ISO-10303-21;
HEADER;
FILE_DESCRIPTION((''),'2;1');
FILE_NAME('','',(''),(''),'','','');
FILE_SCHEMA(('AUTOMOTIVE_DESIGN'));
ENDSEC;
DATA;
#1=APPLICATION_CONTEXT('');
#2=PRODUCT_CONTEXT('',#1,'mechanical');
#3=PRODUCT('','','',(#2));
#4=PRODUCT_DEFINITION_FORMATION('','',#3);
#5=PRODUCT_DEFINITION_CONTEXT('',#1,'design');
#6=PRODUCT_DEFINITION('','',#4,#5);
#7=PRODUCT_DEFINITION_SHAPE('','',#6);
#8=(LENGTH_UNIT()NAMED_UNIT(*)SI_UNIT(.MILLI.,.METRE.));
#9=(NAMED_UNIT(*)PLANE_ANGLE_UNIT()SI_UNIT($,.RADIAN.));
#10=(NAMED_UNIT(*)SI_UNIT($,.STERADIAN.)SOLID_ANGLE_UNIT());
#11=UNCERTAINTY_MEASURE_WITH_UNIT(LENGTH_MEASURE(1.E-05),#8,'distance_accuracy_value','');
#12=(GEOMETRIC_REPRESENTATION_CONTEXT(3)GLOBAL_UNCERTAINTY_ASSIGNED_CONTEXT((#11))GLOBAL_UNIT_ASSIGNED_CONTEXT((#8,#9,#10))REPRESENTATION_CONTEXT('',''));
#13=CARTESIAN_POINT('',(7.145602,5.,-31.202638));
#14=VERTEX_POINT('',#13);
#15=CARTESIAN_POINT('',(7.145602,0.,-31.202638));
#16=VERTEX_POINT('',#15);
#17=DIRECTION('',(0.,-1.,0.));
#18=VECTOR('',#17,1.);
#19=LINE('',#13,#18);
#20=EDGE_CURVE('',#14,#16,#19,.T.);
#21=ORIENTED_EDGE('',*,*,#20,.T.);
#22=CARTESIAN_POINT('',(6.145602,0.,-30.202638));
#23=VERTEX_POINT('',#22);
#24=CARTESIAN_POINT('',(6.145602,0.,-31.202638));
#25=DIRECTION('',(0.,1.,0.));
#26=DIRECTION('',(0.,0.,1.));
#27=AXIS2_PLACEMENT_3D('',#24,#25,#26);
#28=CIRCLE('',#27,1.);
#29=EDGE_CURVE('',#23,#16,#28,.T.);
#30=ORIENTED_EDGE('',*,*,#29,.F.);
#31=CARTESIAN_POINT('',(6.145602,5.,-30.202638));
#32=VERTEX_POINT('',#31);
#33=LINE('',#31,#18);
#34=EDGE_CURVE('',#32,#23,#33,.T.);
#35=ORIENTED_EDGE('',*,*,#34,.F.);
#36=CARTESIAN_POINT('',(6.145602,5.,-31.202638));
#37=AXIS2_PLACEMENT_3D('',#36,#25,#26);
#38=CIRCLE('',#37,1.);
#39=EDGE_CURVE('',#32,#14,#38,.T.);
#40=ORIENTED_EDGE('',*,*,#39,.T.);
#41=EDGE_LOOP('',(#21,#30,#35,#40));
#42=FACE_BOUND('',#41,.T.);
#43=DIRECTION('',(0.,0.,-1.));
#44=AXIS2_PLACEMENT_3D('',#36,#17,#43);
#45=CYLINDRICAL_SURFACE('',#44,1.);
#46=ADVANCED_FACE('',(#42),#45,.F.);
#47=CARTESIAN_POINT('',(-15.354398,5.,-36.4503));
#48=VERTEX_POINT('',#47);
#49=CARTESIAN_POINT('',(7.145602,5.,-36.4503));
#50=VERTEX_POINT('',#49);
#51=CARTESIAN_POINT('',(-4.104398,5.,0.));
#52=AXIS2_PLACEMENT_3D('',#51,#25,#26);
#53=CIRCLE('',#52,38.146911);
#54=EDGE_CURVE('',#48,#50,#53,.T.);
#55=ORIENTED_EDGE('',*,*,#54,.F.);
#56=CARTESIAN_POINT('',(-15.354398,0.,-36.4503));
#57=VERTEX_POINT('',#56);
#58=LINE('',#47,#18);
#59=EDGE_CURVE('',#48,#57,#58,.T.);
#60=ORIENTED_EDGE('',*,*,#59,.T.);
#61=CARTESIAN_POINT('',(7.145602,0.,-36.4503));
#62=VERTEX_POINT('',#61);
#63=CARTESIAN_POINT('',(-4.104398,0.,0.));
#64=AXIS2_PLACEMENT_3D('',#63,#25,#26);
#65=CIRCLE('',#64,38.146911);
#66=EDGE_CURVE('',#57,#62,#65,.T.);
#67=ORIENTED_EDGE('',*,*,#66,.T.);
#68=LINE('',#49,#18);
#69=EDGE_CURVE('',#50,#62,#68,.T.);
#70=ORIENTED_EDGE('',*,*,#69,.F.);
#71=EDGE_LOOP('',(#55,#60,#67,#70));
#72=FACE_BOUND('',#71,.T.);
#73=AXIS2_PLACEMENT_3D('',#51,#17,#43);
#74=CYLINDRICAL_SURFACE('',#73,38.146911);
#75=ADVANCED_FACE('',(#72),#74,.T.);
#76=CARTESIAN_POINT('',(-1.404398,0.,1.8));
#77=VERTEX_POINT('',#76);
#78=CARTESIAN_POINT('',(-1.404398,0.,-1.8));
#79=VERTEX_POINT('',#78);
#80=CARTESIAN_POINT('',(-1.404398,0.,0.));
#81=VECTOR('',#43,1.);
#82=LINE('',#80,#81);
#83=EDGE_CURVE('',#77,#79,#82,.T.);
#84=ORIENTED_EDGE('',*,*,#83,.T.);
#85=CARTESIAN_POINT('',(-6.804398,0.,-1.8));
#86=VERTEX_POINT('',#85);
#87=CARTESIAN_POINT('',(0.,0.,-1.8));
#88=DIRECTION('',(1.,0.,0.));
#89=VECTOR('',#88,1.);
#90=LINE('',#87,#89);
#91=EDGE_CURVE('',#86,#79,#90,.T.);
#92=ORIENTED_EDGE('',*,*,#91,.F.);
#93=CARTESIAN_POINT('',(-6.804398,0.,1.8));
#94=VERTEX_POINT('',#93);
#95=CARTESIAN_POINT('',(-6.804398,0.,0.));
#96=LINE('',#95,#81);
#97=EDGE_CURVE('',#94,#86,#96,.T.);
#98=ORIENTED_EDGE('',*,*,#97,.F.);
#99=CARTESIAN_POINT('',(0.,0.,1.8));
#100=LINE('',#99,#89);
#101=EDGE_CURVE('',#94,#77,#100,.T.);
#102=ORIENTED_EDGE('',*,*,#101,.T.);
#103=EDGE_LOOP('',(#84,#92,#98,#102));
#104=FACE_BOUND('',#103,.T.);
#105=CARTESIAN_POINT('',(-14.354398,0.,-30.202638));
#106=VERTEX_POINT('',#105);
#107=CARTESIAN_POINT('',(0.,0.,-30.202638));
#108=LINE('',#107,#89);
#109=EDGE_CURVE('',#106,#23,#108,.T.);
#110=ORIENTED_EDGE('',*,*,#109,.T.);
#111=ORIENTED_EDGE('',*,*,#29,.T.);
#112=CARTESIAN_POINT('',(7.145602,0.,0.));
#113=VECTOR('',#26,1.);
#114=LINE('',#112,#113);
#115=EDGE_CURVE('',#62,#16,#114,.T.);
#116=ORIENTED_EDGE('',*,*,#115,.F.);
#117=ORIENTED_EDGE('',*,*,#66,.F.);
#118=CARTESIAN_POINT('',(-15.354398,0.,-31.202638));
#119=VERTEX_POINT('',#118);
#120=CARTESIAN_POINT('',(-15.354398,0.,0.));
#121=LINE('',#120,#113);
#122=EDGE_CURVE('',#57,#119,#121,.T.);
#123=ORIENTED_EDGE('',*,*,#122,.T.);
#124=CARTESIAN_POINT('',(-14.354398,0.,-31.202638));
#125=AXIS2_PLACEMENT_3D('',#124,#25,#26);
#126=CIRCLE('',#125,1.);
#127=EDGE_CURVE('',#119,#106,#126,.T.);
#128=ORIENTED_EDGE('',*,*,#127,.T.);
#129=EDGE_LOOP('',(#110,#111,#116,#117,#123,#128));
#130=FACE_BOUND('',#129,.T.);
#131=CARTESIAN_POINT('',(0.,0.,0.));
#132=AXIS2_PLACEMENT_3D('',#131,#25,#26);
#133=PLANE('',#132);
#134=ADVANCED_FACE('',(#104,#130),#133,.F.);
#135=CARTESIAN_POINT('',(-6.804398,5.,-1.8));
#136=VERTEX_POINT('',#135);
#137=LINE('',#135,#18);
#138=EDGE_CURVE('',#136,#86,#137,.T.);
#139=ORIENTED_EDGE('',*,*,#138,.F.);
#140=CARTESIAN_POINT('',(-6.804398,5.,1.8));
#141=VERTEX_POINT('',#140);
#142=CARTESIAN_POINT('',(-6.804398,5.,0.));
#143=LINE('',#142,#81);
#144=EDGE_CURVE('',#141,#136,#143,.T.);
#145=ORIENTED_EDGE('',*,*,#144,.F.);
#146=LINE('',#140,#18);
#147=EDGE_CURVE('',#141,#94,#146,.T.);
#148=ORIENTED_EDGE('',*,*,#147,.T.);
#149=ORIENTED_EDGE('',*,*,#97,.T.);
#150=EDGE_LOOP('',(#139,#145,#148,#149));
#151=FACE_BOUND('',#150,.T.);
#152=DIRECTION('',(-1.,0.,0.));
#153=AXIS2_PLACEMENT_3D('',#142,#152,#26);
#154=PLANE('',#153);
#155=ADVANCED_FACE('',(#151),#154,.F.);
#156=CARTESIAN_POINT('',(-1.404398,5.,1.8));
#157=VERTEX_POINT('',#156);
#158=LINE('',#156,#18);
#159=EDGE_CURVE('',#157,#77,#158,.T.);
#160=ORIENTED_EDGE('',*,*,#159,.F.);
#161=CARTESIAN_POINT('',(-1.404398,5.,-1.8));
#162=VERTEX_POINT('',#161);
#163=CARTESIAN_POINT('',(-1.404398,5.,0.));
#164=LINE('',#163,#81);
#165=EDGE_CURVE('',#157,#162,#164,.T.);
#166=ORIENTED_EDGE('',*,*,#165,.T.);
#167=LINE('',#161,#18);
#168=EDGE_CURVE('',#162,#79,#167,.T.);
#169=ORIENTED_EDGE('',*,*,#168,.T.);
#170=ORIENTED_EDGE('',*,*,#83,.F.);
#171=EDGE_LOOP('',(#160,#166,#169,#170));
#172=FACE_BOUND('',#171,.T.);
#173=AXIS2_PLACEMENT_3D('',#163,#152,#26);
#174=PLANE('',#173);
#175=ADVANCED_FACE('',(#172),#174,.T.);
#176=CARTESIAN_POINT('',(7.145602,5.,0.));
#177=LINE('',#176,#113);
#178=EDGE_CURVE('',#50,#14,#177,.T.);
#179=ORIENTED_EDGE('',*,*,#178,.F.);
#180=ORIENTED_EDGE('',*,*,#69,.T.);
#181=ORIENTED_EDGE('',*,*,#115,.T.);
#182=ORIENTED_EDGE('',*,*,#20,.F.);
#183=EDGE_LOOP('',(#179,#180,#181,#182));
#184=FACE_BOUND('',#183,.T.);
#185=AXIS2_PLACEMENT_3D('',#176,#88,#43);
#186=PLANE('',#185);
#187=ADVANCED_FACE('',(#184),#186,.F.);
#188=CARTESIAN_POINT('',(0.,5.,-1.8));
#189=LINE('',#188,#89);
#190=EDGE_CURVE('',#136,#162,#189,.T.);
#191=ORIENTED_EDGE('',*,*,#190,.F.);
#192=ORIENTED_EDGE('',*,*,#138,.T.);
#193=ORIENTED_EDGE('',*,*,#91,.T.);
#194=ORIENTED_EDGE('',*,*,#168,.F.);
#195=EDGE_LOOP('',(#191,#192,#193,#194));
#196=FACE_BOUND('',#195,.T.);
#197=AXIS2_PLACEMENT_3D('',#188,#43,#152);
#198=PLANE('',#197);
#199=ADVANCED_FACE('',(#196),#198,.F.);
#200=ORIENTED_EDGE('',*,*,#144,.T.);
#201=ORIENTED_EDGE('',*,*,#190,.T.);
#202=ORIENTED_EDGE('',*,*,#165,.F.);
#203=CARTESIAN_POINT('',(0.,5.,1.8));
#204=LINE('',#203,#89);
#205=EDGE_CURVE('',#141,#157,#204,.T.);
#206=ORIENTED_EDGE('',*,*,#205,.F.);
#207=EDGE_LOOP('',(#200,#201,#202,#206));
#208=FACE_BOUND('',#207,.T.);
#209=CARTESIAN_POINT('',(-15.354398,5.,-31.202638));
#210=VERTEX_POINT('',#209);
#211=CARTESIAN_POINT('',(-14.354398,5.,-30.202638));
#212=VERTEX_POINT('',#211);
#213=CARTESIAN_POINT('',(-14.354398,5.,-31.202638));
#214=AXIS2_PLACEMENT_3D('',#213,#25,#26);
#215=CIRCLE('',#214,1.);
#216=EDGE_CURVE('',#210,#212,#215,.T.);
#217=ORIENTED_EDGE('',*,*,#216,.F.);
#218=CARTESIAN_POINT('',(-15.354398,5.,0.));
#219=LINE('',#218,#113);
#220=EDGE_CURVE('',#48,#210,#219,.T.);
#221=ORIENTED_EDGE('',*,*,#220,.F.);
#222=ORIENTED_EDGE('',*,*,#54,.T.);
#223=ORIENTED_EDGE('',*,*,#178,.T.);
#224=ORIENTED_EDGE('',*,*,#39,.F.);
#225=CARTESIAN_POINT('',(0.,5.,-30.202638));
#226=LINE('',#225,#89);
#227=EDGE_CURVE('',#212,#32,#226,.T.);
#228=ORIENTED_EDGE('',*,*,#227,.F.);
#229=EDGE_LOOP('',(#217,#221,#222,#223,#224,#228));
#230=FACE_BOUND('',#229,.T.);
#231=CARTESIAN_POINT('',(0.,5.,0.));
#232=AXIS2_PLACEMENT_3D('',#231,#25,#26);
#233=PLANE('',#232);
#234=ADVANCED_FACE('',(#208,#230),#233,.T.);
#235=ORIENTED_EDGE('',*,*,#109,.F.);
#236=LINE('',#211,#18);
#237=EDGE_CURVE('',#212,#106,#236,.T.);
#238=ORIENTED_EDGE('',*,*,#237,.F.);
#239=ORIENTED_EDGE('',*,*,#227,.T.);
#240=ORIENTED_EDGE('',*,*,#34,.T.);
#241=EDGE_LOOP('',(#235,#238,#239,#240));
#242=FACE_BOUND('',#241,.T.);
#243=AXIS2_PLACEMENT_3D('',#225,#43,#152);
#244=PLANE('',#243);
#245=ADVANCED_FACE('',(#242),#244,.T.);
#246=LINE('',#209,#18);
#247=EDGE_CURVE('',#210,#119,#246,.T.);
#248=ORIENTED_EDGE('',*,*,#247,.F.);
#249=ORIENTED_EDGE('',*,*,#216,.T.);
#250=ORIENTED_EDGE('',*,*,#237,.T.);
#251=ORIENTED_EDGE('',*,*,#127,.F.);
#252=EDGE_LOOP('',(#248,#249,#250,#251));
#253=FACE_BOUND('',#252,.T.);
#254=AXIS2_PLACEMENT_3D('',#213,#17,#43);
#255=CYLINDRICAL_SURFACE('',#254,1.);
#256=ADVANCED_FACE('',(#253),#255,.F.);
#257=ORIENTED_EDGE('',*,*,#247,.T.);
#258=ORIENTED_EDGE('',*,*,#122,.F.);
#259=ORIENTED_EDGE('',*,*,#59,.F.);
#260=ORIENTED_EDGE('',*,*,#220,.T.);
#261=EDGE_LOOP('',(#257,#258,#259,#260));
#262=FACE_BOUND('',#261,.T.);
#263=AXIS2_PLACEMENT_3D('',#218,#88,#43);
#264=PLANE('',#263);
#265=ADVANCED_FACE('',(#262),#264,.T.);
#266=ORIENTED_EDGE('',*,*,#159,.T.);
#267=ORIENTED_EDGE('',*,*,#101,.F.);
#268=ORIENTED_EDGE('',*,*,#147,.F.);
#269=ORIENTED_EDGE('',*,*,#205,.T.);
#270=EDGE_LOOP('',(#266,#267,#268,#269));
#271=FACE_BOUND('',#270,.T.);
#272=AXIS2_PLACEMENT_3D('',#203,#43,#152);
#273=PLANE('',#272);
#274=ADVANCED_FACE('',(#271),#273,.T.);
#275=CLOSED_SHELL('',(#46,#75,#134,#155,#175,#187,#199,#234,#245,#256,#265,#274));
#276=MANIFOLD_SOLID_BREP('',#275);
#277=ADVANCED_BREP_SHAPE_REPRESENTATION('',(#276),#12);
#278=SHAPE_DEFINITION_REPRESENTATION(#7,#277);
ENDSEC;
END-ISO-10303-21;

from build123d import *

# Parameters (mm, degrees)
SKETCH1_W           = 5.4
SKETCH1_H           = 3.6
BOSS_EXTRUDE1_DEPTH = 5


with BuildPart() as part:
    # Sketch1 → Boss-Extrude1 (new body)
    with BuildSketch(Plane(origin=(0, 0, 0), x_dir=(1, 0, 0), z_dir=(0, 1, 0))):
        with BuildLine():
            ThreePointArc((34.042513552, 0), (26.590386774, 22.649879577), (7.14560225, 36.450299612))
            Line((7.14560225, 36.450299612), (7.14560225, 31.202638223))
            ThreePointArc((7.14560225, 31.202638223), (6.852709032, 30.495531442), (6.14560225, 30.202638223))
            Line((6.14560225, 30.202638223), (-14.35439775, 30.202638223))
            ThreePointArc((-14.35439775, 30.202638223), (-15.061504531, 30.495531442), (-15.35439775, 31.202638223))
            Line((-15.35439775, 31.202638223), (-15.35439775, 36.450299612))
            ThreePointArc((-15.35439775, 36.450299612), (-26.754277326, -30.694784524), (34.042513552, 0))
        make_face()
        with Locations((-4.10439775, 0)):
            Rectangle(SKETCH1_W, SKETCH1_H, mode=Mode.SUBTRACT)
    extrude(amount=BOSS_EXTRUDE1_DEPTH)


solid = part.part
